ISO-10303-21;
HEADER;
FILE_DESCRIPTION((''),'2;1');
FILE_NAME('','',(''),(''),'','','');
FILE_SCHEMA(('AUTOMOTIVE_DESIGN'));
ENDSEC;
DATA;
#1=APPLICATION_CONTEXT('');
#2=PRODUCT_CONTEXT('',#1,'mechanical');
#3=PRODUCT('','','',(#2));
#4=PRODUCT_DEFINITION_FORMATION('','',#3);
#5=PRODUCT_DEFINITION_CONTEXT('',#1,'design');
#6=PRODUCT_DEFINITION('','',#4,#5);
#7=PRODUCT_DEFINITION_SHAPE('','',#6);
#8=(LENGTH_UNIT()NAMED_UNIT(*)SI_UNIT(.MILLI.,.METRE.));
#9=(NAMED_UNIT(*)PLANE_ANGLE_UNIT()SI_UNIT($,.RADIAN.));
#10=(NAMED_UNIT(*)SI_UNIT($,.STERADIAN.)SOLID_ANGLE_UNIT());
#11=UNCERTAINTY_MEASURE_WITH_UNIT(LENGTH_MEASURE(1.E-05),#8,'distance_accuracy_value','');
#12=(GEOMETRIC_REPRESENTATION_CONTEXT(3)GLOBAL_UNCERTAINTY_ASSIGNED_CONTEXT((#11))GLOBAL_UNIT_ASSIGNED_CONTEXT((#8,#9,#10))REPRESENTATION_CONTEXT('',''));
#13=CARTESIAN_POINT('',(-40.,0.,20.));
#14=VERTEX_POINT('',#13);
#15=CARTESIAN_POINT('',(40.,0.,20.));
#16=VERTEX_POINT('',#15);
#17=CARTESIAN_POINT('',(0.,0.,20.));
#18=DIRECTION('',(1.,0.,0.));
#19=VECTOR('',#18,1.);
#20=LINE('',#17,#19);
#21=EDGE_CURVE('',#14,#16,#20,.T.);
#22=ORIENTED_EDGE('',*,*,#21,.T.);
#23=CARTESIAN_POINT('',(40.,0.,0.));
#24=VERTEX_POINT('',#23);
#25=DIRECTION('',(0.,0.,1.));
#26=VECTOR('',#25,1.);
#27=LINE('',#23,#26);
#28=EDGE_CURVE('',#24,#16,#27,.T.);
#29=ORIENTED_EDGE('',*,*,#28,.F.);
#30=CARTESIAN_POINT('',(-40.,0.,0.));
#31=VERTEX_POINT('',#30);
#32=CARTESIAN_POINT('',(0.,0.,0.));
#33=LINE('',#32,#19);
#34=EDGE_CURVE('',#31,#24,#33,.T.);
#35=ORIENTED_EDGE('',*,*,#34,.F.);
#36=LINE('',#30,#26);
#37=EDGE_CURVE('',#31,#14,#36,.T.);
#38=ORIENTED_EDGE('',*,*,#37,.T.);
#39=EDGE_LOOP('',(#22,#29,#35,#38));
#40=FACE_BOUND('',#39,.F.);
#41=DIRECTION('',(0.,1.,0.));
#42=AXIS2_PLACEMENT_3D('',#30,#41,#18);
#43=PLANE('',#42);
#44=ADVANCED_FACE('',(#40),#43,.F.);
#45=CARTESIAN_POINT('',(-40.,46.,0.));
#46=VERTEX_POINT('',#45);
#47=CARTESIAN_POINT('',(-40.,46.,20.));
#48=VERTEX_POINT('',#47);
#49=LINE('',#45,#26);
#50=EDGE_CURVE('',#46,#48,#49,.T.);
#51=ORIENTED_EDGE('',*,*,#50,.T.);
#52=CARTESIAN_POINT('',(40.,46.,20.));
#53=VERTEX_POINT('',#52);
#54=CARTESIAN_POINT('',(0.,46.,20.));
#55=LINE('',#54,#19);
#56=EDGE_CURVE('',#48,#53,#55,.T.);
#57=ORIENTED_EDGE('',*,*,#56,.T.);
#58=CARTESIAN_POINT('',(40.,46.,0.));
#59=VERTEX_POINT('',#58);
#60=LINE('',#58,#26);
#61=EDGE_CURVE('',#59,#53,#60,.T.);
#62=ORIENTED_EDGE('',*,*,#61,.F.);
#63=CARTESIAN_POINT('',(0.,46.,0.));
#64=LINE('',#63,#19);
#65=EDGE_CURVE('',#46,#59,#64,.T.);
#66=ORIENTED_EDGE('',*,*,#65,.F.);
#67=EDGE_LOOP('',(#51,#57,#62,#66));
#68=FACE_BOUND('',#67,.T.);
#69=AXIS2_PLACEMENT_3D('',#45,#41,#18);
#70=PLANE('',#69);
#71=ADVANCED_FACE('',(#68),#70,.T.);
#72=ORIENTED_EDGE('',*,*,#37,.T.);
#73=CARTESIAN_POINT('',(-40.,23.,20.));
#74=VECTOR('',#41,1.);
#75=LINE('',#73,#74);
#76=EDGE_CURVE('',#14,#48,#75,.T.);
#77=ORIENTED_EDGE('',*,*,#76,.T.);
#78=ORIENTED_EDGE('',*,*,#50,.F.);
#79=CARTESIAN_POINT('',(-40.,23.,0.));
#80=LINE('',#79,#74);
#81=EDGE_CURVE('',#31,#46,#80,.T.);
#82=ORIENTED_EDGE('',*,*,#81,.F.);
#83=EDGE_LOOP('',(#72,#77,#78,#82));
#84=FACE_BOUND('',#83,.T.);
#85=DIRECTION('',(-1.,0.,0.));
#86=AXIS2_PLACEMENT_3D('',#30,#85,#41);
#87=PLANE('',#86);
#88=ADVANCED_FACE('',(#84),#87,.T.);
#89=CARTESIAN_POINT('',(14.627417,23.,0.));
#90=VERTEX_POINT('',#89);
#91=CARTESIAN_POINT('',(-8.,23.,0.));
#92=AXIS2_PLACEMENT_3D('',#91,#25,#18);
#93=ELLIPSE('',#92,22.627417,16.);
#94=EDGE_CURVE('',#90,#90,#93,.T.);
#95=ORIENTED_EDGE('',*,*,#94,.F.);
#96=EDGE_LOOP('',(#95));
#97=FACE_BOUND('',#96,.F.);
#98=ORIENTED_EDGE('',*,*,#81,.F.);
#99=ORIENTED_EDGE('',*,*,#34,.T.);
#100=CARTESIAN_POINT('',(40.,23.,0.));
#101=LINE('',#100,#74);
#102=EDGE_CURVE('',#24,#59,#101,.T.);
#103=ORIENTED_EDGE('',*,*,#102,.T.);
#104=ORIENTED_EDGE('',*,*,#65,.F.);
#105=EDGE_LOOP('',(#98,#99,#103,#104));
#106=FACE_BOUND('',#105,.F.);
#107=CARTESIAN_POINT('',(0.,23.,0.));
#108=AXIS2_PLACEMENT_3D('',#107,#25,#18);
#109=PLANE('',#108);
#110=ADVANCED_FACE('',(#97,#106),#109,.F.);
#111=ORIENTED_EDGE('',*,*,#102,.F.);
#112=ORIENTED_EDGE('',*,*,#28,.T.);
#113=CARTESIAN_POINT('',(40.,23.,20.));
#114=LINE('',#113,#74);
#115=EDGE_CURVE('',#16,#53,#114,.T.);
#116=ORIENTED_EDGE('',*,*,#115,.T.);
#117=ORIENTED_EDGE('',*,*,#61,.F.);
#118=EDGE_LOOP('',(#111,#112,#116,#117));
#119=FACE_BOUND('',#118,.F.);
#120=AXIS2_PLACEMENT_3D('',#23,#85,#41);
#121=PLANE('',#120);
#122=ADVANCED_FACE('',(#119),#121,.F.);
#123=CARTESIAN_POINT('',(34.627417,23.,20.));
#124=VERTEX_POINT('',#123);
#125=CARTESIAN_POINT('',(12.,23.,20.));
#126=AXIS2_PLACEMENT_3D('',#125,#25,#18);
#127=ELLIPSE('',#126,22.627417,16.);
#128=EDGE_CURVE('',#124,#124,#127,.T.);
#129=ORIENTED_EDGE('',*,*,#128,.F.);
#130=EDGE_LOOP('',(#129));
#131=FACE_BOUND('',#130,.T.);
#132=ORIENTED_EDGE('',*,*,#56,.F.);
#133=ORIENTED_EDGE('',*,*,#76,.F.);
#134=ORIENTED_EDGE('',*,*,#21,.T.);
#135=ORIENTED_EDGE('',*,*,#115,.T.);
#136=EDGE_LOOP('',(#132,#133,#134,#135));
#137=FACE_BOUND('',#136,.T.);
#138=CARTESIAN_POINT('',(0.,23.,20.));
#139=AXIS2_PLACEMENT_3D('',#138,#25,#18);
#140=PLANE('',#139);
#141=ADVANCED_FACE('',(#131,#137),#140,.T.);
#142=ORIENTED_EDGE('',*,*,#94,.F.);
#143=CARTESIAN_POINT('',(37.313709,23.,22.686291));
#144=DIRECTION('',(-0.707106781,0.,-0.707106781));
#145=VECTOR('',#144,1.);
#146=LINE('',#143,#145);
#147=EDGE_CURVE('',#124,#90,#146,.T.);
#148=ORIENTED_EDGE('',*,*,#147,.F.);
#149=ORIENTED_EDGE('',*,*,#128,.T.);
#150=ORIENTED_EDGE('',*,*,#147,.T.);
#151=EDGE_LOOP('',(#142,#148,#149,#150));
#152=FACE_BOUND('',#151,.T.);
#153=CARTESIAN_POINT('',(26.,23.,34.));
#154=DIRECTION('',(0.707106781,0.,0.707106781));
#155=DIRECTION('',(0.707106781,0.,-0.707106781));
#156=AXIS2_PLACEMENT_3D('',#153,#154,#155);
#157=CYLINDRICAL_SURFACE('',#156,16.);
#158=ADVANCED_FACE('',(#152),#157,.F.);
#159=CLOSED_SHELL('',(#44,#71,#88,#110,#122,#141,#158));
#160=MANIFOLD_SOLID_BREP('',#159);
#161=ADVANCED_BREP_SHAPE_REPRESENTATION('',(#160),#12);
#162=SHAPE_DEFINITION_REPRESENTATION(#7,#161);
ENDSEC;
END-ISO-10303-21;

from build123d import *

# Parameters (mm, degrees)
F0_W     = 80
F0_H     = 46
F1_DEPTH = 20
F4_R     = 16
F5_DEPTH = 70.711678


with BuildPart() as f1:
    # F0 (on Top) → F1 (new body)
    with BuildSketch(Plane.XY):
        with Locations((0, 23)):
            Rectangle(F0_W, F0_H)
    extrude(amount=F1_DEPTH)

    # F4 (on face) → F5 (cut, through all)
    with BuildSketch(Plane(origin=(30, 0, 30), x_dir=(0.707107, 0, -0.707107), z_dir=(-0.707107, 0, -0.707107))):
        with Locations((-5.656854, -23)):
            Circle(F4_R)
    extrude(amount=F5_DEPTH, mode=Mode.SUBTRACT)


solid = f1.part
